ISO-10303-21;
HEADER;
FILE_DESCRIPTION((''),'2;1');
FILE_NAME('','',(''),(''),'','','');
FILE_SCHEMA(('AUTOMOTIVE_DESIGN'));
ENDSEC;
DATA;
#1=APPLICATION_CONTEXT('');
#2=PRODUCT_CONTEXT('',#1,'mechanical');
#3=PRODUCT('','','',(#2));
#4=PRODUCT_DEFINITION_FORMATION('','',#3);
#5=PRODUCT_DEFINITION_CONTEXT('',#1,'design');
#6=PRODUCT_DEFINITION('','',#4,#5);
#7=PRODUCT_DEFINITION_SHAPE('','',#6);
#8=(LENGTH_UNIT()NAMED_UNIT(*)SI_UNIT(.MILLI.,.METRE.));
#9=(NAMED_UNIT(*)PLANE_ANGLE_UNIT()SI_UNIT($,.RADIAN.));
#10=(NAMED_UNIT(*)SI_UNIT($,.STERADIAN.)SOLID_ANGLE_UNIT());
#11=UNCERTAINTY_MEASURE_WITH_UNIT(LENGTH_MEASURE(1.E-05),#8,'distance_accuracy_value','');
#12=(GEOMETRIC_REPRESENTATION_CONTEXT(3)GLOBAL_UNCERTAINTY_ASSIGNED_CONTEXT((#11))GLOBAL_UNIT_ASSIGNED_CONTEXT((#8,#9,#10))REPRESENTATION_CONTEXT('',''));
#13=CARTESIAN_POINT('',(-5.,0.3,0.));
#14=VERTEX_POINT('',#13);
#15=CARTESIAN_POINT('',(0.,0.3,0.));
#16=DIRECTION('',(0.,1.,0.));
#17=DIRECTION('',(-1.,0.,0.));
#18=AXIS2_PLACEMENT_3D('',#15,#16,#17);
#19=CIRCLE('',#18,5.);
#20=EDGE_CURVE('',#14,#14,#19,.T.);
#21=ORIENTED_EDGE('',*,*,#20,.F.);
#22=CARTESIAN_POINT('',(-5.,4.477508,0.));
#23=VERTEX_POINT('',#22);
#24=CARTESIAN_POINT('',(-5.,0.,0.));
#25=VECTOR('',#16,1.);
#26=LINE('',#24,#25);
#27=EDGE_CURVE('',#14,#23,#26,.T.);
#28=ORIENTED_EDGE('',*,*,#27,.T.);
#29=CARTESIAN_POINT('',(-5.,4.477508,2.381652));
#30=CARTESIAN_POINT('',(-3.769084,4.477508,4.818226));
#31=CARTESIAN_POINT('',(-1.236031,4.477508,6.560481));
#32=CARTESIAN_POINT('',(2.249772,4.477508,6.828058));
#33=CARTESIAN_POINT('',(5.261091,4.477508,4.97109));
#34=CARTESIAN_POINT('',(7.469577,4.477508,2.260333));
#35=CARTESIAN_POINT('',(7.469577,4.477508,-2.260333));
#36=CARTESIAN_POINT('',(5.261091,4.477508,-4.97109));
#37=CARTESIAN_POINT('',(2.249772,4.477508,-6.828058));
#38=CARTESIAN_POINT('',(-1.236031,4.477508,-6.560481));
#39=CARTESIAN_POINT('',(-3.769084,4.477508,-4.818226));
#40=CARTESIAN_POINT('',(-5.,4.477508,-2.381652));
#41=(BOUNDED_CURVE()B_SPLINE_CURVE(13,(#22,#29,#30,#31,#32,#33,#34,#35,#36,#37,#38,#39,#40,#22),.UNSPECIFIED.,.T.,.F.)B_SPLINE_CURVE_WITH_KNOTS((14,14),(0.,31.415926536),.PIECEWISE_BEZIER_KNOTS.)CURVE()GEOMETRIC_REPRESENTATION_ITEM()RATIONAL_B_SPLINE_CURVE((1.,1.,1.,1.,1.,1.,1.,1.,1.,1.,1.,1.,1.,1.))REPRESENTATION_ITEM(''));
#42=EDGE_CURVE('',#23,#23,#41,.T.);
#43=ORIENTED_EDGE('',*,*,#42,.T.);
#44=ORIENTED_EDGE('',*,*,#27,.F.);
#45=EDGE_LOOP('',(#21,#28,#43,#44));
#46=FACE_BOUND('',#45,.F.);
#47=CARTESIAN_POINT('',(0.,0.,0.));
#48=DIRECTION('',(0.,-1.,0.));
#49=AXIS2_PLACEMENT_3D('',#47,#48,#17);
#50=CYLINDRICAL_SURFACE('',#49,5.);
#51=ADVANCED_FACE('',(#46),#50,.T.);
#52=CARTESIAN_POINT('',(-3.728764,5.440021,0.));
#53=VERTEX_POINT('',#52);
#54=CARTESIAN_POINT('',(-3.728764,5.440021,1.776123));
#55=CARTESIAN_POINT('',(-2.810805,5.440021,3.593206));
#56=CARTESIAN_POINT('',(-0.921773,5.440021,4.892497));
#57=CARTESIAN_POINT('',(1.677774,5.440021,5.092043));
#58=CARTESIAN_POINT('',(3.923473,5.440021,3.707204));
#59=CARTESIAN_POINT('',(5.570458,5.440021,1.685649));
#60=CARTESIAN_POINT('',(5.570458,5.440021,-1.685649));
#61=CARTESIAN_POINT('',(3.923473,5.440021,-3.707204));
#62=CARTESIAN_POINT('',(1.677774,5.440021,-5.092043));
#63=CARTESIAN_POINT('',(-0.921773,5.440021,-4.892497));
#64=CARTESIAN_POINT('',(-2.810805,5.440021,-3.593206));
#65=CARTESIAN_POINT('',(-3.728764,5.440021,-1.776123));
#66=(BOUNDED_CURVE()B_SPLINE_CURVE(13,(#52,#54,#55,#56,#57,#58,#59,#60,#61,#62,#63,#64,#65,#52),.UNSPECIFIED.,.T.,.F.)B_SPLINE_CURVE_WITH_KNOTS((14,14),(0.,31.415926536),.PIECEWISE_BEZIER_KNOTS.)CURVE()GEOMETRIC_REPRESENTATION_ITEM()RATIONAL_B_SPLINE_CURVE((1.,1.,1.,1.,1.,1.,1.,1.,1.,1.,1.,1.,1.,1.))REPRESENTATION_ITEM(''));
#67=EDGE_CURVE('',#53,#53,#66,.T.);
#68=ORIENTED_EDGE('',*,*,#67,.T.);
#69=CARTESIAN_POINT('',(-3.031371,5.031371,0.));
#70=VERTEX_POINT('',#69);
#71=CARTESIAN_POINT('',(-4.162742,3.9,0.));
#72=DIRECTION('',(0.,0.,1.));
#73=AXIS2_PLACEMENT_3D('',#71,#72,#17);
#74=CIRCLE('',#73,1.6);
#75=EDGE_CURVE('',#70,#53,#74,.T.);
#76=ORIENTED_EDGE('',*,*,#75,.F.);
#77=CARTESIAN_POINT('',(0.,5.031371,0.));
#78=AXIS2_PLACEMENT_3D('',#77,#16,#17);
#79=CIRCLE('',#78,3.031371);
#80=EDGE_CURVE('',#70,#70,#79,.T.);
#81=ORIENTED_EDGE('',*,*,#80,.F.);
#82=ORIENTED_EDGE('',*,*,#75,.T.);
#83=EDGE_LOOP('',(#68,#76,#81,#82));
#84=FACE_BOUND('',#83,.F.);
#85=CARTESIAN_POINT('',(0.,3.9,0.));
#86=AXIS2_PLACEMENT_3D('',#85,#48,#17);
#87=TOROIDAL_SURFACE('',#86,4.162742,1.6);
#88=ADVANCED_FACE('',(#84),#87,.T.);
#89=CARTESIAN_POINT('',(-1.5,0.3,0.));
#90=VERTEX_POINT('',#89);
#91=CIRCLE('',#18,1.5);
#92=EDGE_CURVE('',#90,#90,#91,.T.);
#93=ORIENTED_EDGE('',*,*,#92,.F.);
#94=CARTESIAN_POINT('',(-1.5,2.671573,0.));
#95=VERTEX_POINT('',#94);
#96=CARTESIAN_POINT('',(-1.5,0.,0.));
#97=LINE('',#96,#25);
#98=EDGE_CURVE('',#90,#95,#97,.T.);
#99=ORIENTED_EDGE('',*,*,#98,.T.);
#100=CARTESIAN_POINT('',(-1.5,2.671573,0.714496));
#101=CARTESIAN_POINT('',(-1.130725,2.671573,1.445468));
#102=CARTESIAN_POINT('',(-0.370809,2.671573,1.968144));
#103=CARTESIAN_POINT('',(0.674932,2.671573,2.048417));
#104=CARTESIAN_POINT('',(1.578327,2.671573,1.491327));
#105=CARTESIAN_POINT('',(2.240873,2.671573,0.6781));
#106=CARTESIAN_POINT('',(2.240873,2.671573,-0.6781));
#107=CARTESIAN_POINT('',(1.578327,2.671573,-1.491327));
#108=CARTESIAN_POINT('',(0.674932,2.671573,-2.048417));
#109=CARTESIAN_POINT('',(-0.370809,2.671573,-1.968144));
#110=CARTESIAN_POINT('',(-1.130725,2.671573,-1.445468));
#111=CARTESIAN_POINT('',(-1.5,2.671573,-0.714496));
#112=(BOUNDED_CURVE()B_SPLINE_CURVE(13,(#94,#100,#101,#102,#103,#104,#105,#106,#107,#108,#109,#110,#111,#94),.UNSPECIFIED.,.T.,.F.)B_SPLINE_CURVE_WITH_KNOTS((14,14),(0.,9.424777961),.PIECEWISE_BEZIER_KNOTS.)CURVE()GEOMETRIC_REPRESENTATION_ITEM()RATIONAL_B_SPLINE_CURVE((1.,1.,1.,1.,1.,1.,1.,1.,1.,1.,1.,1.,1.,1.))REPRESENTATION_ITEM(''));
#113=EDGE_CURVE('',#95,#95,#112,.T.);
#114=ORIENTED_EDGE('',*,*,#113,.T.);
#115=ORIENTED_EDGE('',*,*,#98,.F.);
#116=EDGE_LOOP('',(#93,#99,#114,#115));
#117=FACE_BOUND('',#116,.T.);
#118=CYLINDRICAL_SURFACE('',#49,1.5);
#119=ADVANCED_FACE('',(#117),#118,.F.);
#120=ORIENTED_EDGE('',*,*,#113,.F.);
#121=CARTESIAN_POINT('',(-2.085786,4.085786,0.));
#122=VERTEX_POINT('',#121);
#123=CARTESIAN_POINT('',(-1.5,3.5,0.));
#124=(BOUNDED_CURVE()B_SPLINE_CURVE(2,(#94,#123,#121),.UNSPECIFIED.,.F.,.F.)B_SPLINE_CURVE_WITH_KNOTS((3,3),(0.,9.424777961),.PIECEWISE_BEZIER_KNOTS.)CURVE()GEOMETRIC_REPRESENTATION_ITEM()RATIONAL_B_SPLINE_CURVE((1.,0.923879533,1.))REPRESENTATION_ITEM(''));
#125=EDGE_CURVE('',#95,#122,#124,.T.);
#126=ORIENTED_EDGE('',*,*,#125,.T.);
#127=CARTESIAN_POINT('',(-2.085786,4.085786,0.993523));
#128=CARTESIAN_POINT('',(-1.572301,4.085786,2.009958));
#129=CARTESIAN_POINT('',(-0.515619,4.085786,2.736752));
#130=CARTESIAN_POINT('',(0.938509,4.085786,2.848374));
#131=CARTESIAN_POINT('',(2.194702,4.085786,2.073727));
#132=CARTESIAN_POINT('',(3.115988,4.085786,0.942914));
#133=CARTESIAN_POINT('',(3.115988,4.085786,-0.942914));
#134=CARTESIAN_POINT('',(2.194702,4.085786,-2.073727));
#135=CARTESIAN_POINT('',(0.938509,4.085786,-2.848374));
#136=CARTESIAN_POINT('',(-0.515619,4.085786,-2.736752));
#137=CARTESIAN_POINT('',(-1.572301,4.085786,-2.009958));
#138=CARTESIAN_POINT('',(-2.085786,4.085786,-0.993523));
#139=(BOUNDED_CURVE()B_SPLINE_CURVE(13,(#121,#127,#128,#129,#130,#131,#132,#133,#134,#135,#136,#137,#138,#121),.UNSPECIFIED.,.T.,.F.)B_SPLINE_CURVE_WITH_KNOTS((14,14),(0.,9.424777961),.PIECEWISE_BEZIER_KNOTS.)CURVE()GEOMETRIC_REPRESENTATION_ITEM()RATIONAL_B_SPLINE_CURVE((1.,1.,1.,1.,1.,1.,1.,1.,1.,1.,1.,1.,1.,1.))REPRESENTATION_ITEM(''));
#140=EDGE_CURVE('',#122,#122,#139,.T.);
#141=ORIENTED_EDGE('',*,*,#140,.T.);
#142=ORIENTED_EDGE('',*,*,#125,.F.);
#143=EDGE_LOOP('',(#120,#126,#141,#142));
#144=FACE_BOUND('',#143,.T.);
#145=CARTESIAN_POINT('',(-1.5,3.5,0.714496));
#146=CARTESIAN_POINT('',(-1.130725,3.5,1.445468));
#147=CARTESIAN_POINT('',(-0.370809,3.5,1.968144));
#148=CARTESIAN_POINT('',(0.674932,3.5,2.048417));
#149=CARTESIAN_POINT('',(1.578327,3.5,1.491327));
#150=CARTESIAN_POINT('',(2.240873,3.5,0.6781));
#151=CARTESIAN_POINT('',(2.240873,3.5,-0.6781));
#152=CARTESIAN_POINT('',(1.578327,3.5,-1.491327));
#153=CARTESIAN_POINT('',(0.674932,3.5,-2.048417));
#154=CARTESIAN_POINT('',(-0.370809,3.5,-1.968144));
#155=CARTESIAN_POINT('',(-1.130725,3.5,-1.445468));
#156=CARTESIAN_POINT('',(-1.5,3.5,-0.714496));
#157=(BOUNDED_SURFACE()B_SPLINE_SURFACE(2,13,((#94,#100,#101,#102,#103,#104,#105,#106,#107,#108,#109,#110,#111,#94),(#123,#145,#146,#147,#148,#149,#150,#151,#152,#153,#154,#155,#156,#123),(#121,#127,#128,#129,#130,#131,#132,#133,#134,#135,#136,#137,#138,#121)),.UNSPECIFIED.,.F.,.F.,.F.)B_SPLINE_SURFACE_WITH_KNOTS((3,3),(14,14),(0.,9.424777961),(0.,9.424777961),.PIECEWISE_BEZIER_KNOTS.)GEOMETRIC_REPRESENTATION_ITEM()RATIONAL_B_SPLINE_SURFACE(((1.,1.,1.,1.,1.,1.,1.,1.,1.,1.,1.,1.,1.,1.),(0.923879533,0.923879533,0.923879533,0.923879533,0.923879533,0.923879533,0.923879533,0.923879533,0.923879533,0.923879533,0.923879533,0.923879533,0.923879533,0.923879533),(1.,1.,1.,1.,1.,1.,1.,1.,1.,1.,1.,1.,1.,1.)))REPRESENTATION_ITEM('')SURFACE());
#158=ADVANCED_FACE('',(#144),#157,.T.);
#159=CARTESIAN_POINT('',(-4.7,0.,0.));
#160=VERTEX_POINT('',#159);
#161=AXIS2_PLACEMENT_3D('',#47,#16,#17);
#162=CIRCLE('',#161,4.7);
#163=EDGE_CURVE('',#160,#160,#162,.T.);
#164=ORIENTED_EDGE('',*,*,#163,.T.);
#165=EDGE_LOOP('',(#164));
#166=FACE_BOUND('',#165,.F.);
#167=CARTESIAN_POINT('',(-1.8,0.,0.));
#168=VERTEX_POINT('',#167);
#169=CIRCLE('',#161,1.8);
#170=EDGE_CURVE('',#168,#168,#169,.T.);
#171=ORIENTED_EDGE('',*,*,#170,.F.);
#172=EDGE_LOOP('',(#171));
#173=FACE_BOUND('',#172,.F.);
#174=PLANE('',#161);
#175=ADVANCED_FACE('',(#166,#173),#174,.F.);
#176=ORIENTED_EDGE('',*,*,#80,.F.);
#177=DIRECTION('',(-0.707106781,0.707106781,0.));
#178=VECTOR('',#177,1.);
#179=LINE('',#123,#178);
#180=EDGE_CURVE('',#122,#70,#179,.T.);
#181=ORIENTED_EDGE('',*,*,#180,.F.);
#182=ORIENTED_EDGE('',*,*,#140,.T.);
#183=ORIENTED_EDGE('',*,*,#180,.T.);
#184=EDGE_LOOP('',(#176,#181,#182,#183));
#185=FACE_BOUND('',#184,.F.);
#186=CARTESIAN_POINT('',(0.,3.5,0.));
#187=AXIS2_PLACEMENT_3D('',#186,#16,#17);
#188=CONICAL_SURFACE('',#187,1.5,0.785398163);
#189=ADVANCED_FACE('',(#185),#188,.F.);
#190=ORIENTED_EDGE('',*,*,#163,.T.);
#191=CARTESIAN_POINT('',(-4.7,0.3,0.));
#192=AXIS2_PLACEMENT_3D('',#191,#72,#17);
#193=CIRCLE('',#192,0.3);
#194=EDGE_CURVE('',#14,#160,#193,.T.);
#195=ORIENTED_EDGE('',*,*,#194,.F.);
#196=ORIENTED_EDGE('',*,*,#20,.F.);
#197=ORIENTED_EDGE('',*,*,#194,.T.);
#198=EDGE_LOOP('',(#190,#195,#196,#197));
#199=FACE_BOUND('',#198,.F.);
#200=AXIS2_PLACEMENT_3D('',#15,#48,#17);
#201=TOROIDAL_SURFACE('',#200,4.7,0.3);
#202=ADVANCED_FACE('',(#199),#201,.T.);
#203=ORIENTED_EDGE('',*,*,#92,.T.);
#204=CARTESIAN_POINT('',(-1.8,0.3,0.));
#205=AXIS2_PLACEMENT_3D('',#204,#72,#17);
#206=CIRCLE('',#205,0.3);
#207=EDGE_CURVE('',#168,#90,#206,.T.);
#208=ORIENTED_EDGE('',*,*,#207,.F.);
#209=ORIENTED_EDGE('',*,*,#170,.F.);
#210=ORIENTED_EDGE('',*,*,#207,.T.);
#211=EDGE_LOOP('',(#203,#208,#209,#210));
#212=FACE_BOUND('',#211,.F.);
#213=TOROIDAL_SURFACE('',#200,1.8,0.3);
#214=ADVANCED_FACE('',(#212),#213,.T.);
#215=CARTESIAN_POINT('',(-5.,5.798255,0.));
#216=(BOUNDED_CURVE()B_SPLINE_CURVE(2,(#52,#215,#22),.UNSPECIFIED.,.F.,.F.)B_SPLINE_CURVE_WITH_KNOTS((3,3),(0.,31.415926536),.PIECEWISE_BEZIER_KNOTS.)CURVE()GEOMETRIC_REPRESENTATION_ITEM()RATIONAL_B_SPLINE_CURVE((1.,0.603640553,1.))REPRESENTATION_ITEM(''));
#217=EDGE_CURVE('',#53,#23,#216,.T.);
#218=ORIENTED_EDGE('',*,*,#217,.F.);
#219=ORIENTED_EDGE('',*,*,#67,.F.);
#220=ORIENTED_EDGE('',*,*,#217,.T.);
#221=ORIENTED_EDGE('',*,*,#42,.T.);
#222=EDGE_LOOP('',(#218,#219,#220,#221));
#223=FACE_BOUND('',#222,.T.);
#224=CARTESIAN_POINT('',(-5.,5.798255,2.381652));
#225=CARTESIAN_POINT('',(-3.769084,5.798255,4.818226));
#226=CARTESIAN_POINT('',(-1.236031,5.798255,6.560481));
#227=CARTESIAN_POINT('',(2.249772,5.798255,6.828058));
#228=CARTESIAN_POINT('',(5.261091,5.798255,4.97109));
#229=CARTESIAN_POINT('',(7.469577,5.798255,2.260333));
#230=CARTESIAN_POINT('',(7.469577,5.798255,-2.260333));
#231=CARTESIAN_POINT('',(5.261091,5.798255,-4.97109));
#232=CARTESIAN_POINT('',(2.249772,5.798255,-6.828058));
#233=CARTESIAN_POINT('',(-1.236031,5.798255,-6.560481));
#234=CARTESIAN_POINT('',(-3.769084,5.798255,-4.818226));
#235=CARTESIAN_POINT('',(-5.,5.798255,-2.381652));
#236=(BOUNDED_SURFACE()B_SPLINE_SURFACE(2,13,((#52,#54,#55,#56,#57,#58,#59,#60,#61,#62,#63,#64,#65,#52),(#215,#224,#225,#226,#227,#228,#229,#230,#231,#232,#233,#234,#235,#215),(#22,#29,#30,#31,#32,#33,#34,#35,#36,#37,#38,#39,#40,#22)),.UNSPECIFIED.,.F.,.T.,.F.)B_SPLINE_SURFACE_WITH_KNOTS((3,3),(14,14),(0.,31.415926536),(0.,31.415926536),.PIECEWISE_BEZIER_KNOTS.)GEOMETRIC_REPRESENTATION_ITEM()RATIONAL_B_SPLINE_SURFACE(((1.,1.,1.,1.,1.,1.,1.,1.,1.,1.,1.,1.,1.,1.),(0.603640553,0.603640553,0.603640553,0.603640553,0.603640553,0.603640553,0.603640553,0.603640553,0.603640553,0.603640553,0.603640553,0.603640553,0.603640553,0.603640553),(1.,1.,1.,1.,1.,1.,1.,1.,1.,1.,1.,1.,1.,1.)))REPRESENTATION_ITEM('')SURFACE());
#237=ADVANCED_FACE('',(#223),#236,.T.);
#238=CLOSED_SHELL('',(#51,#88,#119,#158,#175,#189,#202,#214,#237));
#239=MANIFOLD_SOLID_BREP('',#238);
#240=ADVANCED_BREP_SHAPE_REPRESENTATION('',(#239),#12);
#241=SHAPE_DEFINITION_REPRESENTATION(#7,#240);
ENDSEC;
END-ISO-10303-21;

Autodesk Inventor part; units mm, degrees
ref_plane "YZ Plane" through (0, 0, 0) normal (1, 0, 0) x (0, 1, 0)
ref_plane "XZ Plane" through (0, 0, 0) normal (0, 1, 0) x (-1, 0, 0)
ref_plane "XY Plane" through (0, 0, 0) normal (0, 0, 1) x (1, 0, 0)
sketch "Sketch1" plane through (0, 0, 0) normal (0, 1, 0) x (-1, 0, 0)
  circle A0 centre (0, 0) radius 5
  circle A1 centre (0, 0) radius 1.5
  dimension "d0" = 10
  dimension "d1" = 3
extrude "Extrusion1" add sketch "Sketch1" along normal blind 5.5
chamfer "Chamfer1" distance 2 angle 45 1 edges at (1.5, 5.5, 0)
fillet "Fillet1" radius 2 1 edges at (1.5, 3.5, 0)
fillet "Fillet2" radius 1.6 1 edges at (3.5, 5.5, 0)
fillet "Fillet3" radius 1 1 edges at (5, 5.5, 0)
fillet "Fillet4" radius 0.3 1 edges at (5, 0, 0)
fillet "Fillet5" radius 0.3 1 edges at (1.5, 0, 0)
properties part number "TransformerLug"
